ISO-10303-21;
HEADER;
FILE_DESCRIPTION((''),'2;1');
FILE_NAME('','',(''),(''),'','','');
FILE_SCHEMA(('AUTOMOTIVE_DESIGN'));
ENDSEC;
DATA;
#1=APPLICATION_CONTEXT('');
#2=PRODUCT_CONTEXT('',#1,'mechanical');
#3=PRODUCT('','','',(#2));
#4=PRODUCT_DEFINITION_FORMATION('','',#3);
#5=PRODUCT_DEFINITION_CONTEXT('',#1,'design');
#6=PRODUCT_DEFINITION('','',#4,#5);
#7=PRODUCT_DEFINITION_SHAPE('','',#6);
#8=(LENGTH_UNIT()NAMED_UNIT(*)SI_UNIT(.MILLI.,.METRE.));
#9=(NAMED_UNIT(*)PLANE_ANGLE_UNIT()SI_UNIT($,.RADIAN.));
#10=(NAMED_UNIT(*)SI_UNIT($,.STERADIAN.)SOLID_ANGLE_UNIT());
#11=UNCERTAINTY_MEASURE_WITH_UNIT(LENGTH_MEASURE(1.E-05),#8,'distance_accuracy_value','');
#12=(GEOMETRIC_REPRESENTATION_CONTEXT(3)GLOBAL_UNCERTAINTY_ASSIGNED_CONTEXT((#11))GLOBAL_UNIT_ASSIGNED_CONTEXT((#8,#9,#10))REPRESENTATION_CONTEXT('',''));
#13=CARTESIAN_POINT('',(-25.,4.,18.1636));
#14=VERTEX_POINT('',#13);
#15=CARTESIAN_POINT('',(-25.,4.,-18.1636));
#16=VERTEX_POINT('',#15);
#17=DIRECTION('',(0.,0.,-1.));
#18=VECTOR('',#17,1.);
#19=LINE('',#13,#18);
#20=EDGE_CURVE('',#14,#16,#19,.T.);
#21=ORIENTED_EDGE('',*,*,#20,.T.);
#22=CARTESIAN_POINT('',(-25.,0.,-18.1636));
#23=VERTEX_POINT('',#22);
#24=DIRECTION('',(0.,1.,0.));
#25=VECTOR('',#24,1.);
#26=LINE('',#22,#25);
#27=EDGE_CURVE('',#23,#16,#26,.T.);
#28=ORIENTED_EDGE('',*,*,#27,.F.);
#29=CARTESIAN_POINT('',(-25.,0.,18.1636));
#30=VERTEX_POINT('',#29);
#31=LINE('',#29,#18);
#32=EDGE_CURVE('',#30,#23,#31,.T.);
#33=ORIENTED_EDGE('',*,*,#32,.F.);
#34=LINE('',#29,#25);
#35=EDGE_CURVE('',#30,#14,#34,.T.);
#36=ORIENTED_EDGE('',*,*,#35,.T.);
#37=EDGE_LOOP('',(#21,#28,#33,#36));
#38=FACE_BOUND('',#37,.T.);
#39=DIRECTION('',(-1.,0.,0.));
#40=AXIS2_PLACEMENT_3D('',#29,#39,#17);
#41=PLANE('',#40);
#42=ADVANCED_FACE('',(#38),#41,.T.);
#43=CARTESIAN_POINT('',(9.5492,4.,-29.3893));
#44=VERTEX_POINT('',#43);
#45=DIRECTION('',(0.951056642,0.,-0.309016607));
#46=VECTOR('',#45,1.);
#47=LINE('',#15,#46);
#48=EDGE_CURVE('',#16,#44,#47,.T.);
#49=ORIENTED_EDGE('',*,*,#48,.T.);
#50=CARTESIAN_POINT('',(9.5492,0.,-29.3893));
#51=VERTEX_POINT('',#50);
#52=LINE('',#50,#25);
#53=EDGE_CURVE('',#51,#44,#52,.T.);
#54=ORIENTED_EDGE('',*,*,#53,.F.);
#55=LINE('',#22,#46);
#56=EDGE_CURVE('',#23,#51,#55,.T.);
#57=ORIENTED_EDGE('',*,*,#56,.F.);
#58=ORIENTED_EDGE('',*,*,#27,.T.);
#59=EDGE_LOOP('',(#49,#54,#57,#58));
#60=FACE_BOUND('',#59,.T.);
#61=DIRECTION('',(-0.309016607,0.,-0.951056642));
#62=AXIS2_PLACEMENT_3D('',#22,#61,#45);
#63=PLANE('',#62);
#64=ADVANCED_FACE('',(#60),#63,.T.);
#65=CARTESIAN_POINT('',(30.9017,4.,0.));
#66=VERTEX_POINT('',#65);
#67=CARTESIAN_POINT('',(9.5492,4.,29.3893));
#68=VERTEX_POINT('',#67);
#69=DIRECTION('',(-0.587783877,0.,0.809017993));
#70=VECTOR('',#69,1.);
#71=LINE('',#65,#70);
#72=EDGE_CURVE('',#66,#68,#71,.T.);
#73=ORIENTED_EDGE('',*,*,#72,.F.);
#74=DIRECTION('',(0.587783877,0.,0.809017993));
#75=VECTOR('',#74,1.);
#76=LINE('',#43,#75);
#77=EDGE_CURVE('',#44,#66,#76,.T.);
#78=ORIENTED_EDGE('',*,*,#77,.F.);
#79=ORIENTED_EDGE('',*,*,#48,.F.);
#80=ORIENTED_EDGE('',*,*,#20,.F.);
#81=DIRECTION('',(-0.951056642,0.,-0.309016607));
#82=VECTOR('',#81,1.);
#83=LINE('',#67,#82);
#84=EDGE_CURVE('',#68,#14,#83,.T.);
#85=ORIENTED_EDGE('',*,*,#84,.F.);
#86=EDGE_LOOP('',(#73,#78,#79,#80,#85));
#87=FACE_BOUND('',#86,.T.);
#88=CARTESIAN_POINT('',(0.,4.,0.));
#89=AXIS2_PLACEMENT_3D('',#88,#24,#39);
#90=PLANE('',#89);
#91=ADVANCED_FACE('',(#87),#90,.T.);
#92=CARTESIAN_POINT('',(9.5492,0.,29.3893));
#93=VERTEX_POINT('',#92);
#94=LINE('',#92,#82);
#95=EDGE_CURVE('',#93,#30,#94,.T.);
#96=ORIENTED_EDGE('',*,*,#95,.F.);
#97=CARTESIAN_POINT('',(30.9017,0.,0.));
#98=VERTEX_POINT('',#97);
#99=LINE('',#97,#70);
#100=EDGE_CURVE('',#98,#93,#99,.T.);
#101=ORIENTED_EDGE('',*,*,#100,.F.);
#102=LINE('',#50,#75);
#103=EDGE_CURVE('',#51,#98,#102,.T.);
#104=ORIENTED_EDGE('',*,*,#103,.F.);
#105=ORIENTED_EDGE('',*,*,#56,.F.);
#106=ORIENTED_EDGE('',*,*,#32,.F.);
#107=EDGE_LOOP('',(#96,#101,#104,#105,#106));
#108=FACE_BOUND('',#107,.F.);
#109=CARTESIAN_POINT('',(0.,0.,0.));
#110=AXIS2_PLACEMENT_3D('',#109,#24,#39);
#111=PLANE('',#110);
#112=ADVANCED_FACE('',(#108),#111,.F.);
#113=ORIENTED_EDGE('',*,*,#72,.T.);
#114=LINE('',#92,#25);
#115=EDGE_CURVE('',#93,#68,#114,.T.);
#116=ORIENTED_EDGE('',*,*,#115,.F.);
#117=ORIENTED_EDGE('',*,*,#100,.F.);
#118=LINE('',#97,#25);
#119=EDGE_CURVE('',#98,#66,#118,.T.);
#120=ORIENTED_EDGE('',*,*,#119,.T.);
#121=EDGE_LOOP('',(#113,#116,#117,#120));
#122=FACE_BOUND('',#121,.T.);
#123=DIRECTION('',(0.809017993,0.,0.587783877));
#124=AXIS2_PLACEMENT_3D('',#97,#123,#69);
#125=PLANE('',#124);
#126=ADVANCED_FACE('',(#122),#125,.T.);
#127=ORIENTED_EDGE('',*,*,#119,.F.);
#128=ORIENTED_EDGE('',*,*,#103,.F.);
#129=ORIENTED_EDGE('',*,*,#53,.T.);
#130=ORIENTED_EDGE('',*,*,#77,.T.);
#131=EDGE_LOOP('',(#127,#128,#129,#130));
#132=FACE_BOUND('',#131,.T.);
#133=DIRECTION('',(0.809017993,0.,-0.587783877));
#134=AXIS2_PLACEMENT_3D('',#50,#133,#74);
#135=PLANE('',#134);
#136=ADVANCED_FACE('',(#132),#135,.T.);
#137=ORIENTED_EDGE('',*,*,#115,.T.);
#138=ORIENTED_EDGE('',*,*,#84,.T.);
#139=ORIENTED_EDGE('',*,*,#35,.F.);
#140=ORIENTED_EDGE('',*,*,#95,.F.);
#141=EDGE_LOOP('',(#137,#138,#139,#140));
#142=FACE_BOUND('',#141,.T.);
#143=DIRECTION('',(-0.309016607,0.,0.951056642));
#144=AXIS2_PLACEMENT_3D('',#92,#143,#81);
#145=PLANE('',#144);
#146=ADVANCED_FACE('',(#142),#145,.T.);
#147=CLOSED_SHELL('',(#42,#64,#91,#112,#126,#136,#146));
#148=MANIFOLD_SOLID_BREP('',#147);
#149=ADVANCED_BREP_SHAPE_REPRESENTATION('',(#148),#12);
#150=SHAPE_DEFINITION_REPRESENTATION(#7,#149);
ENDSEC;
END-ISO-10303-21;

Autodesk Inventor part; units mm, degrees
ref_plane "YZ Plane" through (0, 0, 0) normal (1, 0, 0) x (0, 1, 0)
ref_plane "XZ Plane" through (0, 0, 0) normal (0, 1, 0) x (-1, 0, 0)
ref_plane "XY Plane" through (0, 0, 0) normal (0, 0, 1) x (1, 0, 0)
sketch "Sketch1" plane through (0, 0, 0) normal (0, 1, 0) x (-1, 0, 0)
  line L0 (25, -18.1636) -> (-9.5492, -29.3893)
  line L1 (-9.5492, -29.3893) -> (-30.9017, 0)
  line L2 (-30.9017, 0) -> (-9.5492, 29.3893)
  line L3 (-9.5492, 29.3893) -> (25, 18.1636)
  line L4 (25, 18.1636) -> (25, -18.1636)
  circle A0 centre (0, 0) radius 25 construction
  point P0 (25, 0)
extrude "Extrusion1" add sketch "Sketch1" along normal blind 4
properties part number "objeto4"
